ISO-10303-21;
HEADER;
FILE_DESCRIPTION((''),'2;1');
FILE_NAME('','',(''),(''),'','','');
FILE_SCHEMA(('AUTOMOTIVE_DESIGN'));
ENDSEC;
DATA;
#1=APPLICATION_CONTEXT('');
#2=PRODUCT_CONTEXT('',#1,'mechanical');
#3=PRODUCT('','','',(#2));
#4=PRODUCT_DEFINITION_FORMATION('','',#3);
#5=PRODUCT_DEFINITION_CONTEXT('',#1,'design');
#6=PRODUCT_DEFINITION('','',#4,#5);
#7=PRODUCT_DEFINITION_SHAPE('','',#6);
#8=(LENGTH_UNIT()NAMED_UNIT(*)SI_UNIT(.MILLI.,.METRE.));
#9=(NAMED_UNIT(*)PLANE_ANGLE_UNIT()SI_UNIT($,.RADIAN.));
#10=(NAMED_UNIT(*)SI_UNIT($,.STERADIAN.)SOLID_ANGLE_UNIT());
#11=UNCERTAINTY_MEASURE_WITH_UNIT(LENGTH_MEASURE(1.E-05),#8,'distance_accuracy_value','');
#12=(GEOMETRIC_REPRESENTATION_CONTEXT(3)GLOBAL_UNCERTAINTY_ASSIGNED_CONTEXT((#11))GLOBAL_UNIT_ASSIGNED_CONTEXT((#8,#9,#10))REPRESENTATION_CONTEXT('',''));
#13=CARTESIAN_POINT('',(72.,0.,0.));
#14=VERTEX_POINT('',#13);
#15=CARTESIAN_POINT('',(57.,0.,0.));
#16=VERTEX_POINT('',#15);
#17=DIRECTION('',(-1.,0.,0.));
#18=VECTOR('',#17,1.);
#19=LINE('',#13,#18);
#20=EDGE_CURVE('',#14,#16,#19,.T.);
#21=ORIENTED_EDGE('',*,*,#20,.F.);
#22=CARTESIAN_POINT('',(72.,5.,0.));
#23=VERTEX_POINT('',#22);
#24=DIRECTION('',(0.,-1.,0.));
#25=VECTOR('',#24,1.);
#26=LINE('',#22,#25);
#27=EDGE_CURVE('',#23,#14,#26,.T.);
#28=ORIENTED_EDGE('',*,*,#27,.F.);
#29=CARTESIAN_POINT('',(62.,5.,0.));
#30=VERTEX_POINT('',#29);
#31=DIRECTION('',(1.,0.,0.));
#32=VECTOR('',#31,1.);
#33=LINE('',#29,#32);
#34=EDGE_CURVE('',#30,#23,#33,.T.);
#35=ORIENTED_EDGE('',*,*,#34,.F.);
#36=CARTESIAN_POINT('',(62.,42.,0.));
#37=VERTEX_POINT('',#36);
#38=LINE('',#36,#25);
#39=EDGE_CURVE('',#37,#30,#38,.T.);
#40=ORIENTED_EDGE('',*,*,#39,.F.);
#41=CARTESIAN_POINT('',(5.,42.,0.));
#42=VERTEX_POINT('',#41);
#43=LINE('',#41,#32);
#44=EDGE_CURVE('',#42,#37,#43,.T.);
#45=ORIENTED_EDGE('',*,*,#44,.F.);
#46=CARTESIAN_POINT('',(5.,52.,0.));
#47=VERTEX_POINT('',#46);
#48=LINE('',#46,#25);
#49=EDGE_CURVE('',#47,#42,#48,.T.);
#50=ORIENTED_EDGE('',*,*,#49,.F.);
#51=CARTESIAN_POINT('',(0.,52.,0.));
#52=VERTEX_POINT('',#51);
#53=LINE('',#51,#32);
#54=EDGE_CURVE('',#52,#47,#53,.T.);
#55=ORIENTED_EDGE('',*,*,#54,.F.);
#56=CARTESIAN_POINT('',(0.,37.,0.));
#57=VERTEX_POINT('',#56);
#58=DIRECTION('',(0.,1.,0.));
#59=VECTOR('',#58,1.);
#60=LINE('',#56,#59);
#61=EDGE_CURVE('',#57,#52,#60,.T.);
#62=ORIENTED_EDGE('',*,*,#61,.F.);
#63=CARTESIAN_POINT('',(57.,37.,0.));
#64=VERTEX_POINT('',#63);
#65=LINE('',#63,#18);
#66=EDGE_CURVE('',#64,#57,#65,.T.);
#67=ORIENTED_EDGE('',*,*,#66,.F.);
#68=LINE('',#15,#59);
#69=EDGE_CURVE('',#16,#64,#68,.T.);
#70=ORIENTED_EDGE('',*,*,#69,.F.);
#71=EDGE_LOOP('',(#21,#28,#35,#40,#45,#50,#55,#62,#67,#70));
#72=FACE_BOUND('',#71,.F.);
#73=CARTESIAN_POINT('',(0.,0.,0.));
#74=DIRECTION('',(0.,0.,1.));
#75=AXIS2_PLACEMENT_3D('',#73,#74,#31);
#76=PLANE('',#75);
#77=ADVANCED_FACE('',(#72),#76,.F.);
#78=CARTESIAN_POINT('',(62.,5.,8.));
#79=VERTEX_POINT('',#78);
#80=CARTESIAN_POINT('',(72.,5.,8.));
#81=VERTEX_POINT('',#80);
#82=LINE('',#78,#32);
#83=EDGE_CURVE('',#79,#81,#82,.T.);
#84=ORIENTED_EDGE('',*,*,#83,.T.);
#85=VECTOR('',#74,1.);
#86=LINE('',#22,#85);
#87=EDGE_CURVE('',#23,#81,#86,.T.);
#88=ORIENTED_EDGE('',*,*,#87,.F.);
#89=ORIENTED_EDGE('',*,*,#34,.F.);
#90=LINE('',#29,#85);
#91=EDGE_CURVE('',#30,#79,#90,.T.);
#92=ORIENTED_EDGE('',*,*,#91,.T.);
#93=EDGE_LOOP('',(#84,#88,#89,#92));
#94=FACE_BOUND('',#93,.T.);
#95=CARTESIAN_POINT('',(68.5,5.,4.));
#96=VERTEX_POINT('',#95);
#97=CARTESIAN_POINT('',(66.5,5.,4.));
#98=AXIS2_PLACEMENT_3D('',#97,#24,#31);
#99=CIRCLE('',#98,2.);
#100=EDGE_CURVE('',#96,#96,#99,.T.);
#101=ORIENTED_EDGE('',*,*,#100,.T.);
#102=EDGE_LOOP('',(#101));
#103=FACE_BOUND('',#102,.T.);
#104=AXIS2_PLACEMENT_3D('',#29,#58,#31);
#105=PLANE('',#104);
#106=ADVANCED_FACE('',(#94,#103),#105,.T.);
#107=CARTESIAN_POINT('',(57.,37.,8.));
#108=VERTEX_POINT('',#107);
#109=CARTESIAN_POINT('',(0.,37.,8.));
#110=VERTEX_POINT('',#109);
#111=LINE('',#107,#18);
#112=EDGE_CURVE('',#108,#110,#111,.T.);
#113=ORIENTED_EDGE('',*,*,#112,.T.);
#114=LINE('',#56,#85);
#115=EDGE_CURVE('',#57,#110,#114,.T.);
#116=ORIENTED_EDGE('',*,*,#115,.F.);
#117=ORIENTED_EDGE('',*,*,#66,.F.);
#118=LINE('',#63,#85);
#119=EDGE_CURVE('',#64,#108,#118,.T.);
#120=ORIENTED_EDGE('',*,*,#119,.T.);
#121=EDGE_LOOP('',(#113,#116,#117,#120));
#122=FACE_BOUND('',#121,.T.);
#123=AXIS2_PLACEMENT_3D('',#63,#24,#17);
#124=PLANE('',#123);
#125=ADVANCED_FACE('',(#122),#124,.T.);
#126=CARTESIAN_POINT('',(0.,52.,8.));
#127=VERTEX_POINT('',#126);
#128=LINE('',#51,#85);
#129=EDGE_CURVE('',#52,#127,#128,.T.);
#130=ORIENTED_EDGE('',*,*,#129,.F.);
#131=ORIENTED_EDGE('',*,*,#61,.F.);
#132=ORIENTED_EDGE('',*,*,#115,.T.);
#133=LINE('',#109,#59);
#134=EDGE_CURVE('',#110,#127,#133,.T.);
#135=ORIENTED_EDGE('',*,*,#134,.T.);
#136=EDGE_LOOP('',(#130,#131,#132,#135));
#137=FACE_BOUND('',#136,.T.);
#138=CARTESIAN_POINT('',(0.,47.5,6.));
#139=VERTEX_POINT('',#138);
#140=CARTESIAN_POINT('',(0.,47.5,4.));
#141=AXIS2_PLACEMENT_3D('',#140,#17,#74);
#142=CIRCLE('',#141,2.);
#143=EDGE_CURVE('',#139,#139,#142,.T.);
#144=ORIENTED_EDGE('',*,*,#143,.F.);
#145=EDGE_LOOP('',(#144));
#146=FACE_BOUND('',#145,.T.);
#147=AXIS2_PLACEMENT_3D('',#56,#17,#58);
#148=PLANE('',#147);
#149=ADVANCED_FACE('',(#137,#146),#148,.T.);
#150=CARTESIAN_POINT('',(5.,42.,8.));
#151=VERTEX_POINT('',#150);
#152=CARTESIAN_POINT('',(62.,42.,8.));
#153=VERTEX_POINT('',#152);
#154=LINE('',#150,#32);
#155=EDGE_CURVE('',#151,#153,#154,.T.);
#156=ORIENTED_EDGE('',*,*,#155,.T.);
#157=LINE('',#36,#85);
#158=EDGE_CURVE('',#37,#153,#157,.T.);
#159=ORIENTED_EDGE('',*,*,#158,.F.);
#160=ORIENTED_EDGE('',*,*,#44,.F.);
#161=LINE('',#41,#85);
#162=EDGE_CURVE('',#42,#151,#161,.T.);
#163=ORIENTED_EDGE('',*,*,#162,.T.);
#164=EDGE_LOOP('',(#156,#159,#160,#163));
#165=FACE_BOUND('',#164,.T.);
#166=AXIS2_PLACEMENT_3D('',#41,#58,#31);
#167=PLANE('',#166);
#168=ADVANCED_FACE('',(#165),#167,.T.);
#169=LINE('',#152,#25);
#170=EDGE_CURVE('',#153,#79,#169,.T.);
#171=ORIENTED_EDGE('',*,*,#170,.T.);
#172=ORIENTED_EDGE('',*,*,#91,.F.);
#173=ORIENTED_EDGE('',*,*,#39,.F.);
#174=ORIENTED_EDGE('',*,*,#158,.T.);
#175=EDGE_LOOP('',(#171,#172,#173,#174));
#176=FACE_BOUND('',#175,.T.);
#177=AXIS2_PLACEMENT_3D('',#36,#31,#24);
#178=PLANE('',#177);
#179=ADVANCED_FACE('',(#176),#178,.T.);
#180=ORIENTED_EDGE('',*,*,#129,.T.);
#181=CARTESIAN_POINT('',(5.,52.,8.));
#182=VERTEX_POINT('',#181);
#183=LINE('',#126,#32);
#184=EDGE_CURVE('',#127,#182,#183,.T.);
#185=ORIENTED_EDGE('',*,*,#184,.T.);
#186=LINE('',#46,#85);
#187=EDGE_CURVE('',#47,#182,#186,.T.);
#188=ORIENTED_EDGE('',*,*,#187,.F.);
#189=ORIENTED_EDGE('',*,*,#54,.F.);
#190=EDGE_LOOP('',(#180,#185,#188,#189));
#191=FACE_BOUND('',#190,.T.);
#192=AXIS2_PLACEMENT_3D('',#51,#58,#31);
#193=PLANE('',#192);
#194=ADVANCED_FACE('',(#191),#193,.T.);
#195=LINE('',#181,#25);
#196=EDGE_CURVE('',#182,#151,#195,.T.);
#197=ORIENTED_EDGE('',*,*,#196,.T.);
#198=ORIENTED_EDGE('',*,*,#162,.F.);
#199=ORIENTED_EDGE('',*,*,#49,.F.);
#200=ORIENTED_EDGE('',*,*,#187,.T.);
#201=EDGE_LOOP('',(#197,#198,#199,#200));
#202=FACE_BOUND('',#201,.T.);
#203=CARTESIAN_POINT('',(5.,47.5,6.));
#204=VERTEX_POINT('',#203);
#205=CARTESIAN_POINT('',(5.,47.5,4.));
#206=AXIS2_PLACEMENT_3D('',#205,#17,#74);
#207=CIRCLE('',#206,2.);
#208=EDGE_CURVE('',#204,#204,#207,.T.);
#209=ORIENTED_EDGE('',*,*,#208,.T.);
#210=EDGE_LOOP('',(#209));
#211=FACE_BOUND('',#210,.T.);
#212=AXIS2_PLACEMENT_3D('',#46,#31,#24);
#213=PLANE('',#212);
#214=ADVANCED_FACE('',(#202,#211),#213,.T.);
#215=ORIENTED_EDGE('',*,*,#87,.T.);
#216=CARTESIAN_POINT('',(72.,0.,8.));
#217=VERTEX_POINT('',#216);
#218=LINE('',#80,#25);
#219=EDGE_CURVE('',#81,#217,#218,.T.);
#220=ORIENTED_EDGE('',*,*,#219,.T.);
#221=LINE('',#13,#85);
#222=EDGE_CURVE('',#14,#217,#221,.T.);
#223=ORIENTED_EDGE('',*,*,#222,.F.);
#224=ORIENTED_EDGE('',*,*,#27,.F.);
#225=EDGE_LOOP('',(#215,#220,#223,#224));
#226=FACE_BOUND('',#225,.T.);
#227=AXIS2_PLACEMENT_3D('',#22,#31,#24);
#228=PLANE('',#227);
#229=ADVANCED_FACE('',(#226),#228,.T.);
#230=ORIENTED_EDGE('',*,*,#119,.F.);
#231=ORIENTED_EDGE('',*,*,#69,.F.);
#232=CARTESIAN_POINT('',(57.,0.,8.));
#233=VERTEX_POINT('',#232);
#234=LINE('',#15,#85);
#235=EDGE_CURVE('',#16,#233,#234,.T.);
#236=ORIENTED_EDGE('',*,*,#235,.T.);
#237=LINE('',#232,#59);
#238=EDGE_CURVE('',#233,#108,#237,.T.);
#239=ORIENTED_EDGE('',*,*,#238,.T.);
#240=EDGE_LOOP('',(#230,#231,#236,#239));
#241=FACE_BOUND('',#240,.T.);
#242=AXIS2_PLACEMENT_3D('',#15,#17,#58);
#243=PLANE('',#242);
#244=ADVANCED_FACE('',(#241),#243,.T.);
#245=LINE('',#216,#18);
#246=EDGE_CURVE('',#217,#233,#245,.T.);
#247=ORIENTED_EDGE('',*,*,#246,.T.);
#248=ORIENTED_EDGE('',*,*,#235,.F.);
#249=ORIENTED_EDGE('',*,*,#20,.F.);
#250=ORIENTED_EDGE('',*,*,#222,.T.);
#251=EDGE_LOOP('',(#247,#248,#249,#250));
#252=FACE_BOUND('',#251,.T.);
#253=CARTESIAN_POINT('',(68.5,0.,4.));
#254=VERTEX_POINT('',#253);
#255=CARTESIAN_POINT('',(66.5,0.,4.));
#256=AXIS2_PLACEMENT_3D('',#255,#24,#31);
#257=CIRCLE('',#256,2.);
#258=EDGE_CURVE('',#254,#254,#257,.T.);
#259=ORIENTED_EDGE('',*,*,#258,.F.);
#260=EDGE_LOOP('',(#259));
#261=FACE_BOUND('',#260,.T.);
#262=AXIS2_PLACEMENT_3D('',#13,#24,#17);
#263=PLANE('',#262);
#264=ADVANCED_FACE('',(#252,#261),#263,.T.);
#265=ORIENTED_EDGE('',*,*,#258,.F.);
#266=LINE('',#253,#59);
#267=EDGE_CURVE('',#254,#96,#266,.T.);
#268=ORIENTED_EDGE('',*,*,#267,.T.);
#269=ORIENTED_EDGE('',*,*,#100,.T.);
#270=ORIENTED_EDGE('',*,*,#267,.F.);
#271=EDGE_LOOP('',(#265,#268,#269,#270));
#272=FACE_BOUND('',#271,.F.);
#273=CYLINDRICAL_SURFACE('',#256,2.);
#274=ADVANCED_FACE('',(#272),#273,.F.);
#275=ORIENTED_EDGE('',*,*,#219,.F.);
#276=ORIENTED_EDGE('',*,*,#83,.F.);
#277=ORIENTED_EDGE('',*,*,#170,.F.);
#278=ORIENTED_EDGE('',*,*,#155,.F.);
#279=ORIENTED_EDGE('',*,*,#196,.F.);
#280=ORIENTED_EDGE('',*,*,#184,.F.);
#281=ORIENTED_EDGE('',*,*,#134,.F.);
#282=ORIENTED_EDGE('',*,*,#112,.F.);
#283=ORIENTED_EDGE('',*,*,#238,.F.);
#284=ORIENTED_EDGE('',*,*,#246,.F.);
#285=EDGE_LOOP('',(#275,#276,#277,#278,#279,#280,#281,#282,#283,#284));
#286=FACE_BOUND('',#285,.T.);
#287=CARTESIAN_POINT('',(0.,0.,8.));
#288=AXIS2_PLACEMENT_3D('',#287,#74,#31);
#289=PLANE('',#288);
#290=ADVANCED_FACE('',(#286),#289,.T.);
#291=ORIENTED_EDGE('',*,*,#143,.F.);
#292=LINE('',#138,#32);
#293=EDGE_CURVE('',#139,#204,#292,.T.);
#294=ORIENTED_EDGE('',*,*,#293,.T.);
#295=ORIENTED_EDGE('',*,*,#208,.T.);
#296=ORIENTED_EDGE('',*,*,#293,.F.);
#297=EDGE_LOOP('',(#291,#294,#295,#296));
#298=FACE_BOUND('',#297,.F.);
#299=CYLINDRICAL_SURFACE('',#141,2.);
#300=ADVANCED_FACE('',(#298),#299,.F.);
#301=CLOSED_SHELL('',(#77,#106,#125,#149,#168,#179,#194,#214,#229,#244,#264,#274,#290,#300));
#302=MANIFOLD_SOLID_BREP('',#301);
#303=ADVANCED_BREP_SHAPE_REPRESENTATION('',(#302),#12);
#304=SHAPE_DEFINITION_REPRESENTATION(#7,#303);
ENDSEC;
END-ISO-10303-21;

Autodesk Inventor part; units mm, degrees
ref_plane "YZ Plane" through (0, 0, 0) normal (1, 0, 0) x (0, 1, 0)
ref_plane "XZ Plane" through (0, 0, 0) normal (0, 1, 0) x (-1, 0, 0)
ref_plane "XY Plane" through (0, 0, 0) normal (0, 0, 1) x (1, 0, 0)
sketch "Sketch1" plane through (0, 0, 0) normal (0, 0, 1) x (1, 0, 0)
  line L0 (0, 37) -> (0, 52)
  line L1 (0, 52) -> (5, 52)
  line L2 (5, 52) -> (5, 42)
  line L3 (5, 42) -> (62, 42)
  line L4 (62, 42) -> (62, 5)
  line L5 (62, 5) -> (72, 5)
  line L6 (72, 5) -> (72, 0)
  line L7 (72, 0) -> (57, 0)
  line L8 (57, 0) -> (57, 37)
  line L9 (57, 37) -> (0, 37)
  point P0 (0, 0)
  dimension "d0" = 37
  dimension "d1" = 57
  dimension "d2" = 5
  dimension "d3" = 5
  dimension "d4" = 5
  dimension "d5" = 5
  dimension "d6" = 15
  dimension "d7" = 15
extrude "Extrusion1" add sketch "Sketch1" along normal blind 8
sketch "Sketch2" plane through (0, 37, 0) normal (-1, 0, 0) x (0, 0, 1)
  circle A0 centre (4, 10.5) radius 2
  line L0 (0, 15) -> (8, 15) projected
  point P0 (0, -37)
  point P1 (4, 15)
  dimension "d10" = 4
  dimension "d11" = 4.5
extrude "Extrusion2" cut sketch "Sketch2" against normal up to next
sketch "Sketch3" plane through (57, 0, 0) normal (0, -1, 0) x (1, 0, 0)
  circle A0 centre (9.5, 4) radius 2
  line L0 (15, 0) -> (15, 8) projected
  point P0 (-57, 0)
  point P1 (15, 4)
  dimension "d14" = 4
  dimension "d15" = 5.5
extrude "Extrusion3" cut sketch "Sketch3" against normal up to next
equation "\"d3\" = d2"
equation "\"d4\" = d2"
equation "\"d5\" = d2"
properties material "ABS Plastic"
